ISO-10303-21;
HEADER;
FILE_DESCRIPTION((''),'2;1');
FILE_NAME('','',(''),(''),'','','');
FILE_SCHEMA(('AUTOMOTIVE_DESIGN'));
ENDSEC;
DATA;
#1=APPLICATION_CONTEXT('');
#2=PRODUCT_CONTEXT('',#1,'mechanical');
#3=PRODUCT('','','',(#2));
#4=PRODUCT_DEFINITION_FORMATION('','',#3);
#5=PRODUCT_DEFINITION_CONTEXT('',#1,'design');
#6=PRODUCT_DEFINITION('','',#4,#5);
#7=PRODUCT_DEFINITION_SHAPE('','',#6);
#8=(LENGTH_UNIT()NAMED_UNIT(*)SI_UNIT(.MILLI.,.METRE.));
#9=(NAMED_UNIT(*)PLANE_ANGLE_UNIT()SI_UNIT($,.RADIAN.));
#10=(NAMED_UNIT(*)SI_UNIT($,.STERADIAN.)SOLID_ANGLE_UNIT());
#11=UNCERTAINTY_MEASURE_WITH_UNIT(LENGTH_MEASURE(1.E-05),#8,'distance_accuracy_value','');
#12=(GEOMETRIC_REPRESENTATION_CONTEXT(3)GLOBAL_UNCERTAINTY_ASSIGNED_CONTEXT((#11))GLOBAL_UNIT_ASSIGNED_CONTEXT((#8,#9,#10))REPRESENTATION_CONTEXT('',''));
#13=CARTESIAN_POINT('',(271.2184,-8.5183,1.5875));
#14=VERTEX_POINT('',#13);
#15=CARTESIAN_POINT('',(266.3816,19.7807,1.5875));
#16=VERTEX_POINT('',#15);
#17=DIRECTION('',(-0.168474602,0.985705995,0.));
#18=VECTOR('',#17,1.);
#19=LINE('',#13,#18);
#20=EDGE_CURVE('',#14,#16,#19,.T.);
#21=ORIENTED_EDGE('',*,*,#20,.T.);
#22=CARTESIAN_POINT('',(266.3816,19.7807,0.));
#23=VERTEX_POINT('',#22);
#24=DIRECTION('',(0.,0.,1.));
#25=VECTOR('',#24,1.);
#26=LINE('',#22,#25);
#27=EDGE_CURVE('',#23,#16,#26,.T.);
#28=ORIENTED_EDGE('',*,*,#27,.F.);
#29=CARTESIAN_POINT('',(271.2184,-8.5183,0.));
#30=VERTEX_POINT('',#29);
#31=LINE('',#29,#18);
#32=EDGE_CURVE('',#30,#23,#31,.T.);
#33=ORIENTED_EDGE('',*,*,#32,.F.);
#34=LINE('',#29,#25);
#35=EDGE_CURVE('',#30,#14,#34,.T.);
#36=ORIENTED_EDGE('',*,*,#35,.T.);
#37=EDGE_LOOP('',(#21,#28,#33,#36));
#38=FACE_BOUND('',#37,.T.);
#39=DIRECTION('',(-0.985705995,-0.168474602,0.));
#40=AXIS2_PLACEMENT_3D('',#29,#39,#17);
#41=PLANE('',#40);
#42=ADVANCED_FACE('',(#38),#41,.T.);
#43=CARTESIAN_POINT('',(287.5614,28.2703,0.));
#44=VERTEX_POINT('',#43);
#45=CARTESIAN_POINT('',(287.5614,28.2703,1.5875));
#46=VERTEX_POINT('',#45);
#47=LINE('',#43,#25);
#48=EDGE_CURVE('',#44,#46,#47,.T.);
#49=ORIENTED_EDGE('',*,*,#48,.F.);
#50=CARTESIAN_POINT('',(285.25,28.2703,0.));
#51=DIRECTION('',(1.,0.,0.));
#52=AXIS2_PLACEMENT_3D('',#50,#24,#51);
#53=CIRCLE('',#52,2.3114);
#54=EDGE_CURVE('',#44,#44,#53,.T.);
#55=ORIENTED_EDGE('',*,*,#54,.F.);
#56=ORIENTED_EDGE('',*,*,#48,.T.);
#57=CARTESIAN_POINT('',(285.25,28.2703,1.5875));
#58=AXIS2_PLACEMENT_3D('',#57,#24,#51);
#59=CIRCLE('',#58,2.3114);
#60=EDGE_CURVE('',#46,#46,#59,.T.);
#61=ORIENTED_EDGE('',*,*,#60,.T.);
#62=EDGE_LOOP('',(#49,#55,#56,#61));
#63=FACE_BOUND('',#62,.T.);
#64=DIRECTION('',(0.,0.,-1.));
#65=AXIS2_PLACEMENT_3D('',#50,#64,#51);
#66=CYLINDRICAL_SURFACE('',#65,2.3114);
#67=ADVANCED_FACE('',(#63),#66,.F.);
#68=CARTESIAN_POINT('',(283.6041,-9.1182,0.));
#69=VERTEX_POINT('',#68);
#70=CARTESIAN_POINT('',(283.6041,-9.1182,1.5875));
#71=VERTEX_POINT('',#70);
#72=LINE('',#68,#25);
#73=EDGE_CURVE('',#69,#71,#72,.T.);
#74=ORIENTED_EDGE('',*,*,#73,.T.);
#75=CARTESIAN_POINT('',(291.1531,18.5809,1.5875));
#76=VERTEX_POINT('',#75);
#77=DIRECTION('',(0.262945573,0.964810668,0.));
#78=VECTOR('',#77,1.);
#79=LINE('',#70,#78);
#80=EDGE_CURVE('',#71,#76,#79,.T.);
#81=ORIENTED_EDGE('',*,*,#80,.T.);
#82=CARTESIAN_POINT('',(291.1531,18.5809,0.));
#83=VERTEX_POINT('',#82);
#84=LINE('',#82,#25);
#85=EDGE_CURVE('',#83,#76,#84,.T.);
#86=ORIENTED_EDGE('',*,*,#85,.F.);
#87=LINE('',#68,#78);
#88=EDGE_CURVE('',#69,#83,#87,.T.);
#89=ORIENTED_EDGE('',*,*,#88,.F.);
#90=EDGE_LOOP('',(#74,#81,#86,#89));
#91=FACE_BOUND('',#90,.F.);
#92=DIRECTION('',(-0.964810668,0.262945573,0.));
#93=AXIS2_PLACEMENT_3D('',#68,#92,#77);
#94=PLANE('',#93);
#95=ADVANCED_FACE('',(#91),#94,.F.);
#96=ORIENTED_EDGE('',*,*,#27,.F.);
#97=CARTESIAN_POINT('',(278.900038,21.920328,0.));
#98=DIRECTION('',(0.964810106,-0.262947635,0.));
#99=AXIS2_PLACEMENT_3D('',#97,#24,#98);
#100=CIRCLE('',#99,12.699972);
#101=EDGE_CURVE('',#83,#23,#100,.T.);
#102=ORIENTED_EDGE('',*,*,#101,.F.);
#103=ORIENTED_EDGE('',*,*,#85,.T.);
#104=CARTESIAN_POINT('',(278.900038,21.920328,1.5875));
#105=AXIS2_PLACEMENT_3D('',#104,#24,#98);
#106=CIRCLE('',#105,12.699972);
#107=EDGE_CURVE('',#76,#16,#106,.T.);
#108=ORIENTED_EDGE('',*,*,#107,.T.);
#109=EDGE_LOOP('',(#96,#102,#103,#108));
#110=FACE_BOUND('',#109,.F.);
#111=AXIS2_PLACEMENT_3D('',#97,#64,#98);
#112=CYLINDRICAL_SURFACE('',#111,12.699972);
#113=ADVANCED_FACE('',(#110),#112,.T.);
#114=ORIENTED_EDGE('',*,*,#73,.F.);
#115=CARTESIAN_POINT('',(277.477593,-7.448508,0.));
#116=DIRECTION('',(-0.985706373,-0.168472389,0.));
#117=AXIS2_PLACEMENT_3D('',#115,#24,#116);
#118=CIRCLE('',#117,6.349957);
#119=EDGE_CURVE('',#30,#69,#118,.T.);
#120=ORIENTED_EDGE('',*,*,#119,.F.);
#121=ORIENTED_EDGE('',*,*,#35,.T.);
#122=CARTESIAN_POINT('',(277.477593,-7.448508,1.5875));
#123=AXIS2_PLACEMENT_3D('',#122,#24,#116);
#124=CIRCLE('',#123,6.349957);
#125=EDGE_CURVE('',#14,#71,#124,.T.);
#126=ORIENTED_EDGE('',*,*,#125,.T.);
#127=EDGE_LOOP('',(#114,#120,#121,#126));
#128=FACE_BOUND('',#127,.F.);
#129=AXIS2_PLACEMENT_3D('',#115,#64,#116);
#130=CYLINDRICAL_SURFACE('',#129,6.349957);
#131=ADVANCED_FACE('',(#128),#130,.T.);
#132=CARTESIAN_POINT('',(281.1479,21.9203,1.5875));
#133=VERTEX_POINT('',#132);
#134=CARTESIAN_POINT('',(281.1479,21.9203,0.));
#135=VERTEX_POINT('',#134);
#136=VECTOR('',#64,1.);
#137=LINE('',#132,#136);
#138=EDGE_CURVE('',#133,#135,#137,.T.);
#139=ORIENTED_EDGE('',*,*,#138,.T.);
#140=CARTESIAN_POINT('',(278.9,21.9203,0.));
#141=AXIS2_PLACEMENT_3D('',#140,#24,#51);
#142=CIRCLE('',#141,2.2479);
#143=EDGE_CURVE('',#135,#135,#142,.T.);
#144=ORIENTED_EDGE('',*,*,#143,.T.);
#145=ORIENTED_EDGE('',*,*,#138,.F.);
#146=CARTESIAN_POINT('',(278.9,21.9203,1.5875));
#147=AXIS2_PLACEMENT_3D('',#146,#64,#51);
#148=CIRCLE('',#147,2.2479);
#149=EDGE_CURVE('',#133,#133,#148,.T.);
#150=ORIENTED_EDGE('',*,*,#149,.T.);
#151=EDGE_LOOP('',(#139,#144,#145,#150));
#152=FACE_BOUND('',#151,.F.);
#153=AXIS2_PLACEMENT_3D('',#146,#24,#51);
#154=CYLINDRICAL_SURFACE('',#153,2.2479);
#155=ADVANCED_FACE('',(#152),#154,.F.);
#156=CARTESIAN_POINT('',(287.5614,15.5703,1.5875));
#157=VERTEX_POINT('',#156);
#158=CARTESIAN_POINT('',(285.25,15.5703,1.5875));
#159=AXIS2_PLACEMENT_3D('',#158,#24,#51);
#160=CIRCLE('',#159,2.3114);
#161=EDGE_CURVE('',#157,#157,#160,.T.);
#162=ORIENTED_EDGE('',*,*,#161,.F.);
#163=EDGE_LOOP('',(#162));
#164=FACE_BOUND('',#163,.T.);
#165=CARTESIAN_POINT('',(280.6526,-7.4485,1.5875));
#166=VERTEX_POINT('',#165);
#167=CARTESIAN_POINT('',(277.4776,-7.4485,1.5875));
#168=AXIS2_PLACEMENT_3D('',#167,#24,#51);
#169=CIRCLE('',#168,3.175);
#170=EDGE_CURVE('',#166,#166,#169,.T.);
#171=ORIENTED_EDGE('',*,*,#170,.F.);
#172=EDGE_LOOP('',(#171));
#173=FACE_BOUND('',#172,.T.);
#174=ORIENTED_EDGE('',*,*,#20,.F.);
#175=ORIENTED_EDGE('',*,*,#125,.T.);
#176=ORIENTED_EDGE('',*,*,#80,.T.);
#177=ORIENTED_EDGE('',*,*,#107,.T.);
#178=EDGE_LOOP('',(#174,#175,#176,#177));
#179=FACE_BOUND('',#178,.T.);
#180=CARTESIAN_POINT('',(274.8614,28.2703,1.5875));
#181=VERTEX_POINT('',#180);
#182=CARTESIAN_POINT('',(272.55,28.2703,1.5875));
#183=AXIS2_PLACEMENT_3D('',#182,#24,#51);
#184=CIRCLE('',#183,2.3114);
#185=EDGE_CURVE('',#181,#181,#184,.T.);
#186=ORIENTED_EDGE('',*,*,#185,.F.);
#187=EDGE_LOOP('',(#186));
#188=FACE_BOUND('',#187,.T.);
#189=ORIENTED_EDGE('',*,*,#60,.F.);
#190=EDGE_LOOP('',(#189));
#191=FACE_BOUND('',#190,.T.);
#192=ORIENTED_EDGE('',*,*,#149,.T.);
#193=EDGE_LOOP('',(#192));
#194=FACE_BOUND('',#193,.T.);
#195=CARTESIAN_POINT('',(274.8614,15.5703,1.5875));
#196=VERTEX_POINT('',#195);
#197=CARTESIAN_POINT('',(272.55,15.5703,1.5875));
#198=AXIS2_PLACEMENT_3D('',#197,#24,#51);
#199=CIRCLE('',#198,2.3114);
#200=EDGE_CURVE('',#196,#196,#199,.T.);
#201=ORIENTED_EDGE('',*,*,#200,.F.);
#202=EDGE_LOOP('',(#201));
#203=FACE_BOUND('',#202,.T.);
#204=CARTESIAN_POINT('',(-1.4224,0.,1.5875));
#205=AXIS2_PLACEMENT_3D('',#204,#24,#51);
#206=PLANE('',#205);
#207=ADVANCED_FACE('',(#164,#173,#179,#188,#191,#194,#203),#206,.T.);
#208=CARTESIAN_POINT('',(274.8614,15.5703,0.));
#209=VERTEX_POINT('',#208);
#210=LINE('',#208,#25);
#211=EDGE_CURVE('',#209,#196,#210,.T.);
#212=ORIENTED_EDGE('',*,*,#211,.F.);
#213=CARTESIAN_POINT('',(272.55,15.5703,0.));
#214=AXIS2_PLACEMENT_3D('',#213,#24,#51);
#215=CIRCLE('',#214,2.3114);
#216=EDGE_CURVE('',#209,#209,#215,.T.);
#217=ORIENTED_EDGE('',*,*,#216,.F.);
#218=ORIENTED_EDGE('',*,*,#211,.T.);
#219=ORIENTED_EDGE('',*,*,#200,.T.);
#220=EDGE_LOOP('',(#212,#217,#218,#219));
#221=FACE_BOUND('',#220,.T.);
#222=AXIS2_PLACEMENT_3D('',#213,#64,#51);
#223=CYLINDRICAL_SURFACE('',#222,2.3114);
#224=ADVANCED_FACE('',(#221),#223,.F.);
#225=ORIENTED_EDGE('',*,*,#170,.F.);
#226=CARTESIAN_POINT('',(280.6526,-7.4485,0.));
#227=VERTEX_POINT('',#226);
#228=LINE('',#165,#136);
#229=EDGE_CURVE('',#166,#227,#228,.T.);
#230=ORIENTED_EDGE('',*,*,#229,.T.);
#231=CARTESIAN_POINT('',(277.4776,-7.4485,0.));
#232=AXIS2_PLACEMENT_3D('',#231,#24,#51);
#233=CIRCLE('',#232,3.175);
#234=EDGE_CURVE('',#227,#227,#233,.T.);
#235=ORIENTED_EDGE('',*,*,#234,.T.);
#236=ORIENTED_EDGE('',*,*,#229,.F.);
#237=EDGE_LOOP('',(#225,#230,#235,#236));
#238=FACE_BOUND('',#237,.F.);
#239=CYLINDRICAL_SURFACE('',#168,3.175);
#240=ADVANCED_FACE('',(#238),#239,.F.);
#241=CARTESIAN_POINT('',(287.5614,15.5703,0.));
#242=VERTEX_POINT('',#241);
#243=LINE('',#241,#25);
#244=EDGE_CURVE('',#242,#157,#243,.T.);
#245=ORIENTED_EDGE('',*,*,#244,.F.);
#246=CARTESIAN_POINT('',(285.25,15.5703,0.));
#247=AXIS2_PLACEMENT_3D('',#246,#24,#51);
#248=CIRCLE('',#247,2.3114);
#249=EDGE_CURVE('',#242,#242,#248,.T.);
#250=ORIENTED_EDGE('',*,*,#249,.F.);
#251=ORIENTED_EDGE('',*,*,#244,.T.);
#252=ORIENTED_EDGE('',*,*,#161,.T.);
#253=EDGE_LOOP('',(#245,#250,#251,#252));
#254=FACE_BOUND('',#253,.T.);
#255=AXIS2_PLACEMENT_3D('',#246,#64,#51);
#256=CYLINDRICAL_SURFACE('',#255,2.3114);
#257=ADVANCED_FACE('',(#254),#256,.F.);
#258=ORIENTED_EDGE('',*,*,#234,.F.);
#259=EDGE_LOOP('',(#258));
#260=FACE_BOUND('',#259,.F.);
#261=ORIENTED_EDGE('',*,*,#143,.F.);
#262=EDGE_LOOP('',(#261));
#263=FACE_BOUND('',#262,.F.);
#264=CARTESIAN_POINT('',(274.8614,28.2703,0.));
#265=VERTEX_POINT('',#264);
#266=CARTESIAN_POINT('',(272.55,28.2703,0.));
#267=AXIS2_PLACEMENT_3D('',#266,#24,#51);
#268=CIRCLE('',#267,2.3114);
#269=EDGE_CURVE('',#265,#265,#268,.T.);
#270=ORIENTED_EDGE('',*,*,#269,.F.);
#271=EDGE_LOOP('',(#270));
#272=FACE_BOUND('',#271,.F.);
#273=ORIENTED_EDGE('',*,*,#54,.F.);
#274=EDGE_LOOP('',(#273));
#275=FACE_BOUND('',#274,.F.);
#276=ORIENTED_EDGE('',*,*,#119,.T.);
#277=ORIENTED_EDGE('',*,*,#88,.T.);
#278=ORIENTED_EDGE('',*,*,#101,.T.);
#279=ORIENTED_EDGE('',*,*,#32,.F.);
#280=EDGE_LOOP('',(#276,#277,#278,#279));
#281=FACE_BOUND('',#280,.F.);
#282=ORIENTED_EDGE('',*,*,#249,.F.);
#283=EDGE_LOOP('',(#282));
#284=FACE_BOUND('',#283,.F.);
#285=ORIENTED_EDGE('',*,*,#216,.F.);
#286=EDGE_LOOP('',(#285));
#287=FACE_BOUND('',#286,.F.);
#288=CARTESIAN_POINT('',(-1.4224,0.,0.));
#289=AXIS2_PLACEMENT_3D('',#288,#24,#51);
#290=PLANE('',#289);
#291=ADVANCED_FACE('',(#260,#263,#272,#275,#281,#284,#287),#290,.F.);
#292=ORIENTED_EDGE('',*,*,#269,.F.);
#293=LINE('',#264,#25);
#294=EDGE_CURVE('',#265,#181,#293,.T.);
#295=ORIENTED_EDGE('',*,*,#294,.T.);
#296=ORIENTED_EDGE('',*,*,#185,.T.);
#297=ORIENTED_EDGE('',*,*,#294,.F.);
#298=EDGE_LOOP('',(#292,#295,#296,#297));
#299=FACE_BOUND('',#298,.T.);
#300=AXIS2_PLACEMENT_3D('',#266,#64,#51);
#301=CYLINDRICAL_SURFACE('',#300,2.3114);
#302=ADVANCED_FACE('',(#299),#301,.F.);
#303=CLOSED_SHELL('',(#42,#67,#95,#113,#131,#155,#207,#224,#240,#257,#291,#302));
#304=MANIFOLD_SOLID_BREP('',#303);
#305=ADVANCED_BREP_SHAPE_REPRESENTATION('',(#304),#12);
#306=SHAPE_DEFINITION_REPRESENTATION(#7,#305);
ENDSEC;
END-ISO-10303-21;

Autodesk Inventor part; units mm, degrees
ref_plane "YZ Plane" through (0, 0, 0) normal (1, 0, 0) x (0, 1, 0)
ref_plane "XZ Plane" through (0, 0, 0) normal (0, 1, 0) x (-1, 0, 0)
ref_plane "XY Plane" through (0, 0, 0) normal (0, 0, 1) x (1, 0, 0)
ref_plane "Work Plane1" through (-1.4224, 0, 0) normal (0, 0, 1) x (1, 0, 0)
sketch "Sketch1" plane through (-1.4224, 0, 0) normal (0, 0, 1) x (1, 0, 0)
  circle A0 centre (280.3224, 21.9203) radius 2.3114 projected
  circle A1 centre (273.9724, 28.2703) radius 2.3114 projected
  circle A2 centre (286.6724, 28.2703) radius 2.3114 projected
  circle A3 centre (278.9, -7.4485) radius 2.3114 projected
  circle A4 centre (273.9724, 15.5703) radius 2.3114 projected
  circle A5 centre (286.6724, 15.5703) radius 2.3114 projected
  arc A6 (292.5755, 18.5809) -> (267.804, 19.7807) centre (280.3224, 21.9203) ccw
  arc A7 (272.6408, -8.5183) -> (285.0265, -9.1182) centre (278.9, -7.4485) ccw
  line L0 (285.0265, -9.1182) -> (292.5755, 18.5809)
  line L1 (272.6408, -8.5183) -> (267.804, 19.7807)
  circle A8 centre (280.3224, 21.9203) radius 2.3114
  circle A9 centre (273.9724, 15.5703) radius 2.3114
  circle A10 centre (286.6724, 15.5703) radius 2.3114
  point P0 (1.4224, 0)
  dimension "d0" = 25.4
  dimension "d1" = 12.7
extrude "Extrusion1" add sketch "Sketch1" along normal blind 1.5875 contours A0 | L0 A7 L1 A6
sketch "Sketch2" plane through (-1.4224, 0, 1.5875) normal (0, 0, 1) x (1, 0, 0)
  point P0 (1.4224, 0)
sketch "Sketch3" plane through (-1.4224, 0, 1.5875) normal (0, 0, 1) x (1, 0, 0)
  circle A0 centre (278.9, -7.4485) radius 2.3114 projected
  circle A1 centre (278.9, -7.4485) radius 3.175
  point P0 (1.4224, 0)
  dimension "d4" = 6.35
sketch "Sketch4" plane through (-1.4224, 0, 1.5875) normal (0, 0, 1) x (1, 0, 0)
  point P0 (1.4224, 0)
sketch "Sketch5" plane through (-1.4224, 0, 1.5875) normal (0, 0, 1) x (1, 0, 0)
  circle A0 centre (273.9724, 28.2703) radius 2.3114 projected
  circle A1 centre (273.9724, 28.2703) radius 2.3114
  circle A2 centre (286.6724, 28.2703) radius 2.3114 projected
  circle A3 centre (286.6724, 15.5703) radius 2.3114 projected
  circle A4 centre (273.9724, 15.5703) radius 2.3114 projected
  line L0 (273.9724, 28.2703) -> (286.6724, 15.5703)
  line L1 (286.6724, 15.5703) -> (286.6724, 28.2703)
  line L2 (286.6724, 28.2703) -> (273.9724, 15.5703)
  circle A5 centre (280.3224, 21.9203) radius 2.2479
  point P0 (1.4224, 0)
  dimension "d5" = 4.4958
extrude "Extrusion2" cut sketch "Sketch3" against normal blind 1.5875 contours A0 | A1
extrude "Extrusion3" cut sketch "Sketch5" against normal blind 1.5875 contours A5 L2 L0 | L0 L2 A5 | L2 A5 L0 | L0 A5 L2
properties part number "raised gear"
